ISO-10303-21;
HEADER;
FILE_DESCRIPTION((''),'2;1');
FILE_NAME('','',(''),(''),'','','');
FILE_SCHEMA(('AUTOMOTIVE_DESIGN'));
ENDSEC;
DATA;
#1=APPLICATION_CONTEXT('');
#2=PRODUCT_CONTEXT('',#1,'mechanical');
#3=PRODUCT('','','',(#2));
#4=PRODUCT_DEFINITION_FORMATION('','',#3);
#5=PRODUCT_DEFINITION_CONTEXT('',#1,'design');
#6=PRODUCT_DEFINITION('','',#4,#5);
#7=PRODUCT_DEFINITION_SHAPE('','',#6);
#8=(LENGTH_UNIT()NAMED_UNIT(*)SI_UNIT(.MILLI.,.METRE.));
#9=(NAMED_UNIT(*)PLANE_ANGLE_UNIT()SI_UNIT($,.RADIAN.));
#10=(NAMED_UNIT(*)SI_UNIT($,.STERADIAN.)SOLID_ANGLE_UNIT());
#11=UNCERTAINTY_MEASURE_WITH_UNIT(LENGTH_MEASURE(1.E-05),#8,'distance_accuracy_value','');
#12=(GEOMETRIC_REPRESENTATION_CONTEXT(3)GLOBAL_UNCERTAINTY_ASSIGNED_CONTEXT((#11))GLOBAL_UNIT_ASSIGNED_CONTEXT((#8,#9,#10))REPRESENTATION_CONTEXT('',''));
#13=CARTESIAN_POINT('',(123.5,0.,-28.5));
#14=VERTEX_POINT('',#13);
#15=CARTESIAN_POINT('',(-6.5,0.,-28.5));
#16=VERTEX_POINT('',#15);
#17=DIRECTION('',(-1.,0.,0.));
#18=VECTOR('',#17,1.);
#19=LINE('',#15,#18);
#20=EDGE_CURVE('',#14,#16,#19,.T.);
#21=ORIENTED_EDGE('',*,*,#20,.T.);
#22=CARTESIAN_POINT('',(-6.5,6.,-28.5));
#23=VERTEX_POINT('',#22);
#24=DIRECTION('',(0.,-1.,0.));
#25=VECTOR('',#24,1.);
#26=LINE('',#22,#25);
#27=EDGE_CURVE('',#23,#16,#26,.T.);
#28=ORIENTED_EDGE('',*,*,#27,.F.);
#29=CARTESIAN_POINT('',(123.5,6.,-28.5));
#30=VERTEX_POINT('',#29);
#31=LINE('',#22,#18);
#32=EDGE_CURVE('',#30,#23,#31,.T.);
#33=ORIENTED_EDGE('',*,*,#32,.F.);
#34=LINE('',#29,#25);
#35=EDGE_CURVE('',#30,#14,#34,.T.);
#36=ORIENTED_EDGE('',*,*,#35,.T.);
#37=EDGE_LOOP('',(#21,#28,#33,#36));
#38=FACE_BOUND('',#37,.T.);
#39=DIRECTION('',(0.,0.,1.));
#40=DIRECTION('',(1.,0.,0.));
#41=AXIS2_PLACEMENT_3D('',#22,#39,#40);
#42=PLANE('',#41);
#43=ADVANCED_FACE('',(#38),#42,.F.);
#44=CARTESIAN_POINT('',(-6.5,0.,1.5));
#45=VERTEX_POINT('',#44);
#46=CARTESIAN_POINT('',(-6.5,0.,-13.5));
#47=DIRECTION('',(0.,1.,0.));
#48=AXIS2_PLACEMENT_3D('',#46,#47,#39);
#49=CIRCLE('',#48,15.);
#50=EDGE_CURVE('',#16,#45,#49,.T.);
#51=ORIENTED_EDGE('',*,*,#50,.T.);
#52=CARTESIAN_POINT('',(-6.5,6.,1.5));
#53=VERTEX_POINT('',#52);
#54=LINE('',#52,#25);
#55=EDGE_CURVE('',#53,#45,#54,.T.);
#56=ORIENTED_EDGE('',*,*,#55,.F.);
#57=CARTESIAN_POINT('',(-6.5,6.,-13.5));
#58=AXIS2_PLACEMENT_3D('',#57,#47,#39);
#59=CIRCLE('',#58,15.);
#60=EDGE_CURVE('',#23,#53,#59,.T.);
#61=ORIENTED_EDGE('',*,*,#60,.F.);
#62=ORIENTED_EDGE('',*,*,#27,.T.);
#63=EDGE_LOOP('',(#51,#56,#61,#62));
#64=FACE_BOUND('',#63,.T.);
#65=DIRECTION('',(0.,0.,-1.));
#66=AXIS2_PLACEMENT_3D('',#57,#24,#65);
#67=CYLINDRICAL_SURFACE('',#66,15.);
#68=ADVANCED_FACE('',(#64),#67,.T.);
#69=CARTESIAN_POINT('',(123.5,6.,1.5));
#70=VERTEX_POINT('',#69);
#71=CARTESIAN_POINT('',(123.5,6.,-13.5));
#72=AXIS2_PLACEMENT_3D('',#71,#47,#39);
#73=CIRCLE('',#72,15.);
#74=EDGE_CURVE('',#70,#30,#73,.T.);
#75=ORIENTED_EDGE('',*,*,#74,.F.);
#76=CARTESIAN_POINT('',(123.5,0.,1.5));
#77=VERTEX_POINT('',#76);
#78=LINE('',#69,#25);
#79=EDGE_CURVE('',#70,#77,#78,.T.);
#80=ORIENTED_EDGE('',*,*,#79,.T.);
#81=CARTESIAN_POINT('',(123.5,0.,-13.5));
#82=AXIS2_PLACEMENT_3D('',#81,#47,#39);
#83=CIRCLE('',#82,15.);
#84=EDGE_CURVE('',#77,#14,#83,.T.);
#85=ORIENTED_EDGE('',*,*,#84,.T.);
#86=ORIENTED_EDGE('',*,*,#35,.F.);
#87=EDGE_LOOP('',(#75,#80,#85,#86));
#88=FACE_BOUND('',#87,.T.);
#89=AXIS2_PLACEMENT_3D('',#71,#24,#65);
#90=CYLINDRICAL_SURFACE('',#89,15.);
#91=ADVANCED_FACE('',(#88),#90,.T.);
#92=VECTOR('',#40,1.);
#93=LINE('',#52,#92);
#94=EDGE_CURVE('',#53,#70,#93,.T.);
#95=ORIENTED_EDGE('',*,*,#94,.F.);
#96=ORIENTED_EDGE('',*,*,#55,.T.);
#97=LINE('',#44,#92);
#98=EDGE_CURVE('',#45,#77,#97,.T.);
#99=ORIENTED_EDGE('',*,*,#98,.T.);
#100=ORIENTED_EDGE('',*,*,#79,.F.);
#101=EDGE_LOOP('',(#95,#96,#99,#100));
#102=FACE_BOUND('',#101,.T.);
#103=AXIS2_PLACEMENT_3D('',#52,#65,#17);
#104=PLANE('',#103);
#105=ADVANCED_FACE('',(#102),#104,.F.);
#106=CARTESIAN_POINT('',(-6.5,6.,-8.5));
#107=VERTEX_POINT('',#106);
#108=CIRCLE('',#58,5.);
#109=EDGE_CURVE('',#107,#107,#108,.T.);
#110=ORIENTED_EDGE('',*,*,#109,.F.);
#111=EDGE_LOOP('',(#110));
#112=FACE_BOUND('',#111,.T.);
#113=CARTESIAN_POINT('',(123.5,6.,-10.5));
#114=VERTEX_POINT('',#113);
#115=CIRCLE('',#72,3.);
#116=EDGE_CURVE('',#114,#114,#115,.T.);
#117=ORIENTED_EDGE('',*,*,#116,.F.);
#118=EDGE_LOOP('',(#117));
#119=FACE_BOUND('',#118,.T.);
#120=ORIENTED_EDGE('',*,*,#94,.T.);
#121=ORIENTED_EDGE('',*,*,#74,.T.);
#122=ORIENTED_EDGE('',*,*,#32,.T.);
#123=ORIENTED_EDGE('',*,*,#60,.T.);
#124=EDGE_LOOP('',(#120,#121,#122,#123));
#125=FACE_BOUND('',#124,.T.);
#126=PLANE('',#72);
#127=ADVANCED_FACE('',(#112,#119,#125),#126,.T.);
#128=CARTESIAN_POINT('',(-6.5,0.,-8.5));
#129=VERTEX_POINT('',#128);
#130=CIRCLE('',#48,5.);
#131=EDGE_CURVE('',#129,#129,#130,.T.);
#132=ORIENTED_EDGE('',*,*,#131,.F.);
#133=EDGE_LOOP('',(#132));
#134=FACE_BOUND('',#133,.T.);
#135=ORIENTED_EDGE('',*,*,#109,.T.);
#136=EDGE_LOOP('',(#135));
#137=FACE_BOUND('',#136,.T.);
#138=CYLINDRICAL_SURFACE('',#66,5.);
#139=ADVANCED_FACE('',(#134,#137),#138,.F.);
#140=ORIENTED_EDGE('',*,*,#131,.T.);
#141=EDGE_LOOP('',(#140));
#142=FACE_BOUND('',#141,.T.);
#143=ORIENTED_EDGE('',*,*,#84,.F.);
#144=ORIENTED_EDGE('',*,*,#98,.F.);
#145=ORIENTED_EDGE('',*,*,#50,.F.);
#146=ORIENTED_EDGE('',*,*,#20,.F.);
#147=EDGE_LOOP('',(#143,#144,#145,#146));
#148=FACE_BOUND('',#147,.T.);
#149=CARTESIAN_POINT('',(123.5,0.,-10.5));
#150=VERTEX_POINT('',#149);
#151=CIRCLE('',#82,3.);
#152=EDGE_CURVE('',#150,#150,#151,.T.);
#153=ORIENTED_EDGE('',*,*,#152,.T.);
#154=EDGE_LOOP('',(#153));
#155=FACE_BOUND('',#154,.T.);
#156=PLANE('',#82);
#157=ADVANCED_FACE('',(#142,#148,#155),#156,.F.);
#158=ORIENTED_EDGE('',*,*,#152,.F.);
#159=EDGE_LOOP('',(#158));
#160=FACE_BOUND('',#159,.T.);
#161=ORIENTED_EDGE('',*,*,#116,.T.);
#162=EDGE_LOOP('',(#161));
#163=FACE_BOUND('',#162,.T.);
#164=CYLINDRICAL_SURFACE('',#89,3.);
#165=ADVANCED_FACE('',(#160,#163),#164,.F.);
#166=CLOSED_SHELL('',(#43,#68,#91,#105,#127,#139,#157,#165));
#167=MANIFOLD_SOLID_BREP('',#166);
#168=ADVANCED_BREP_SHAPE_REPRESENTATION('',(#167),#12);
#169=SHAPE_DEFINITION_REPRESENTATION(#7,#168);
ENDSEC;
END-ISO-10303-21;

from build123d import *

# Parameters (mm, degrees)
SKETCH2_R           = 5
SKETCH2_R_2         = 3
BOSS_EXTRUDE1_DEPTH = 6


with BuildPart() as part:
    # Sketch2 → Boss-Extrude1 (new body)
    with BuildSketch(Plane(origin=(0, 0, 0), x_dir=(1, 0, 0), z_dir=(0, 1, 0))):
        with BuildLine():
            Line((-6.5, 28.5), (123.5, 28.5))
            ThreePointArc((123.5, 28.5), (138.5, 13.5), (123.5, -1.5))
            Line((123.5, -1.5), (-6.5, -1.5))
            ThreePointArc((-6.5, -1.5), (-21.5, 13.5), (-6.5, 28.5))
        make_face()
        with Locations(Location((-6.5, 13.5, 0), (0, 0, 270))):
            Circle(SKETCH2_R, mode=Mode.SUBTRACT)
        with Locations(Location((123.5, 13.5, 0), (0, 0, 270))):
            Circle(SKETCH2_R_2, mode=Mode.SUBTRACT)
    extrude(amount=BOSS_EXTRUDE1_DEPTH)


solid = part.part
